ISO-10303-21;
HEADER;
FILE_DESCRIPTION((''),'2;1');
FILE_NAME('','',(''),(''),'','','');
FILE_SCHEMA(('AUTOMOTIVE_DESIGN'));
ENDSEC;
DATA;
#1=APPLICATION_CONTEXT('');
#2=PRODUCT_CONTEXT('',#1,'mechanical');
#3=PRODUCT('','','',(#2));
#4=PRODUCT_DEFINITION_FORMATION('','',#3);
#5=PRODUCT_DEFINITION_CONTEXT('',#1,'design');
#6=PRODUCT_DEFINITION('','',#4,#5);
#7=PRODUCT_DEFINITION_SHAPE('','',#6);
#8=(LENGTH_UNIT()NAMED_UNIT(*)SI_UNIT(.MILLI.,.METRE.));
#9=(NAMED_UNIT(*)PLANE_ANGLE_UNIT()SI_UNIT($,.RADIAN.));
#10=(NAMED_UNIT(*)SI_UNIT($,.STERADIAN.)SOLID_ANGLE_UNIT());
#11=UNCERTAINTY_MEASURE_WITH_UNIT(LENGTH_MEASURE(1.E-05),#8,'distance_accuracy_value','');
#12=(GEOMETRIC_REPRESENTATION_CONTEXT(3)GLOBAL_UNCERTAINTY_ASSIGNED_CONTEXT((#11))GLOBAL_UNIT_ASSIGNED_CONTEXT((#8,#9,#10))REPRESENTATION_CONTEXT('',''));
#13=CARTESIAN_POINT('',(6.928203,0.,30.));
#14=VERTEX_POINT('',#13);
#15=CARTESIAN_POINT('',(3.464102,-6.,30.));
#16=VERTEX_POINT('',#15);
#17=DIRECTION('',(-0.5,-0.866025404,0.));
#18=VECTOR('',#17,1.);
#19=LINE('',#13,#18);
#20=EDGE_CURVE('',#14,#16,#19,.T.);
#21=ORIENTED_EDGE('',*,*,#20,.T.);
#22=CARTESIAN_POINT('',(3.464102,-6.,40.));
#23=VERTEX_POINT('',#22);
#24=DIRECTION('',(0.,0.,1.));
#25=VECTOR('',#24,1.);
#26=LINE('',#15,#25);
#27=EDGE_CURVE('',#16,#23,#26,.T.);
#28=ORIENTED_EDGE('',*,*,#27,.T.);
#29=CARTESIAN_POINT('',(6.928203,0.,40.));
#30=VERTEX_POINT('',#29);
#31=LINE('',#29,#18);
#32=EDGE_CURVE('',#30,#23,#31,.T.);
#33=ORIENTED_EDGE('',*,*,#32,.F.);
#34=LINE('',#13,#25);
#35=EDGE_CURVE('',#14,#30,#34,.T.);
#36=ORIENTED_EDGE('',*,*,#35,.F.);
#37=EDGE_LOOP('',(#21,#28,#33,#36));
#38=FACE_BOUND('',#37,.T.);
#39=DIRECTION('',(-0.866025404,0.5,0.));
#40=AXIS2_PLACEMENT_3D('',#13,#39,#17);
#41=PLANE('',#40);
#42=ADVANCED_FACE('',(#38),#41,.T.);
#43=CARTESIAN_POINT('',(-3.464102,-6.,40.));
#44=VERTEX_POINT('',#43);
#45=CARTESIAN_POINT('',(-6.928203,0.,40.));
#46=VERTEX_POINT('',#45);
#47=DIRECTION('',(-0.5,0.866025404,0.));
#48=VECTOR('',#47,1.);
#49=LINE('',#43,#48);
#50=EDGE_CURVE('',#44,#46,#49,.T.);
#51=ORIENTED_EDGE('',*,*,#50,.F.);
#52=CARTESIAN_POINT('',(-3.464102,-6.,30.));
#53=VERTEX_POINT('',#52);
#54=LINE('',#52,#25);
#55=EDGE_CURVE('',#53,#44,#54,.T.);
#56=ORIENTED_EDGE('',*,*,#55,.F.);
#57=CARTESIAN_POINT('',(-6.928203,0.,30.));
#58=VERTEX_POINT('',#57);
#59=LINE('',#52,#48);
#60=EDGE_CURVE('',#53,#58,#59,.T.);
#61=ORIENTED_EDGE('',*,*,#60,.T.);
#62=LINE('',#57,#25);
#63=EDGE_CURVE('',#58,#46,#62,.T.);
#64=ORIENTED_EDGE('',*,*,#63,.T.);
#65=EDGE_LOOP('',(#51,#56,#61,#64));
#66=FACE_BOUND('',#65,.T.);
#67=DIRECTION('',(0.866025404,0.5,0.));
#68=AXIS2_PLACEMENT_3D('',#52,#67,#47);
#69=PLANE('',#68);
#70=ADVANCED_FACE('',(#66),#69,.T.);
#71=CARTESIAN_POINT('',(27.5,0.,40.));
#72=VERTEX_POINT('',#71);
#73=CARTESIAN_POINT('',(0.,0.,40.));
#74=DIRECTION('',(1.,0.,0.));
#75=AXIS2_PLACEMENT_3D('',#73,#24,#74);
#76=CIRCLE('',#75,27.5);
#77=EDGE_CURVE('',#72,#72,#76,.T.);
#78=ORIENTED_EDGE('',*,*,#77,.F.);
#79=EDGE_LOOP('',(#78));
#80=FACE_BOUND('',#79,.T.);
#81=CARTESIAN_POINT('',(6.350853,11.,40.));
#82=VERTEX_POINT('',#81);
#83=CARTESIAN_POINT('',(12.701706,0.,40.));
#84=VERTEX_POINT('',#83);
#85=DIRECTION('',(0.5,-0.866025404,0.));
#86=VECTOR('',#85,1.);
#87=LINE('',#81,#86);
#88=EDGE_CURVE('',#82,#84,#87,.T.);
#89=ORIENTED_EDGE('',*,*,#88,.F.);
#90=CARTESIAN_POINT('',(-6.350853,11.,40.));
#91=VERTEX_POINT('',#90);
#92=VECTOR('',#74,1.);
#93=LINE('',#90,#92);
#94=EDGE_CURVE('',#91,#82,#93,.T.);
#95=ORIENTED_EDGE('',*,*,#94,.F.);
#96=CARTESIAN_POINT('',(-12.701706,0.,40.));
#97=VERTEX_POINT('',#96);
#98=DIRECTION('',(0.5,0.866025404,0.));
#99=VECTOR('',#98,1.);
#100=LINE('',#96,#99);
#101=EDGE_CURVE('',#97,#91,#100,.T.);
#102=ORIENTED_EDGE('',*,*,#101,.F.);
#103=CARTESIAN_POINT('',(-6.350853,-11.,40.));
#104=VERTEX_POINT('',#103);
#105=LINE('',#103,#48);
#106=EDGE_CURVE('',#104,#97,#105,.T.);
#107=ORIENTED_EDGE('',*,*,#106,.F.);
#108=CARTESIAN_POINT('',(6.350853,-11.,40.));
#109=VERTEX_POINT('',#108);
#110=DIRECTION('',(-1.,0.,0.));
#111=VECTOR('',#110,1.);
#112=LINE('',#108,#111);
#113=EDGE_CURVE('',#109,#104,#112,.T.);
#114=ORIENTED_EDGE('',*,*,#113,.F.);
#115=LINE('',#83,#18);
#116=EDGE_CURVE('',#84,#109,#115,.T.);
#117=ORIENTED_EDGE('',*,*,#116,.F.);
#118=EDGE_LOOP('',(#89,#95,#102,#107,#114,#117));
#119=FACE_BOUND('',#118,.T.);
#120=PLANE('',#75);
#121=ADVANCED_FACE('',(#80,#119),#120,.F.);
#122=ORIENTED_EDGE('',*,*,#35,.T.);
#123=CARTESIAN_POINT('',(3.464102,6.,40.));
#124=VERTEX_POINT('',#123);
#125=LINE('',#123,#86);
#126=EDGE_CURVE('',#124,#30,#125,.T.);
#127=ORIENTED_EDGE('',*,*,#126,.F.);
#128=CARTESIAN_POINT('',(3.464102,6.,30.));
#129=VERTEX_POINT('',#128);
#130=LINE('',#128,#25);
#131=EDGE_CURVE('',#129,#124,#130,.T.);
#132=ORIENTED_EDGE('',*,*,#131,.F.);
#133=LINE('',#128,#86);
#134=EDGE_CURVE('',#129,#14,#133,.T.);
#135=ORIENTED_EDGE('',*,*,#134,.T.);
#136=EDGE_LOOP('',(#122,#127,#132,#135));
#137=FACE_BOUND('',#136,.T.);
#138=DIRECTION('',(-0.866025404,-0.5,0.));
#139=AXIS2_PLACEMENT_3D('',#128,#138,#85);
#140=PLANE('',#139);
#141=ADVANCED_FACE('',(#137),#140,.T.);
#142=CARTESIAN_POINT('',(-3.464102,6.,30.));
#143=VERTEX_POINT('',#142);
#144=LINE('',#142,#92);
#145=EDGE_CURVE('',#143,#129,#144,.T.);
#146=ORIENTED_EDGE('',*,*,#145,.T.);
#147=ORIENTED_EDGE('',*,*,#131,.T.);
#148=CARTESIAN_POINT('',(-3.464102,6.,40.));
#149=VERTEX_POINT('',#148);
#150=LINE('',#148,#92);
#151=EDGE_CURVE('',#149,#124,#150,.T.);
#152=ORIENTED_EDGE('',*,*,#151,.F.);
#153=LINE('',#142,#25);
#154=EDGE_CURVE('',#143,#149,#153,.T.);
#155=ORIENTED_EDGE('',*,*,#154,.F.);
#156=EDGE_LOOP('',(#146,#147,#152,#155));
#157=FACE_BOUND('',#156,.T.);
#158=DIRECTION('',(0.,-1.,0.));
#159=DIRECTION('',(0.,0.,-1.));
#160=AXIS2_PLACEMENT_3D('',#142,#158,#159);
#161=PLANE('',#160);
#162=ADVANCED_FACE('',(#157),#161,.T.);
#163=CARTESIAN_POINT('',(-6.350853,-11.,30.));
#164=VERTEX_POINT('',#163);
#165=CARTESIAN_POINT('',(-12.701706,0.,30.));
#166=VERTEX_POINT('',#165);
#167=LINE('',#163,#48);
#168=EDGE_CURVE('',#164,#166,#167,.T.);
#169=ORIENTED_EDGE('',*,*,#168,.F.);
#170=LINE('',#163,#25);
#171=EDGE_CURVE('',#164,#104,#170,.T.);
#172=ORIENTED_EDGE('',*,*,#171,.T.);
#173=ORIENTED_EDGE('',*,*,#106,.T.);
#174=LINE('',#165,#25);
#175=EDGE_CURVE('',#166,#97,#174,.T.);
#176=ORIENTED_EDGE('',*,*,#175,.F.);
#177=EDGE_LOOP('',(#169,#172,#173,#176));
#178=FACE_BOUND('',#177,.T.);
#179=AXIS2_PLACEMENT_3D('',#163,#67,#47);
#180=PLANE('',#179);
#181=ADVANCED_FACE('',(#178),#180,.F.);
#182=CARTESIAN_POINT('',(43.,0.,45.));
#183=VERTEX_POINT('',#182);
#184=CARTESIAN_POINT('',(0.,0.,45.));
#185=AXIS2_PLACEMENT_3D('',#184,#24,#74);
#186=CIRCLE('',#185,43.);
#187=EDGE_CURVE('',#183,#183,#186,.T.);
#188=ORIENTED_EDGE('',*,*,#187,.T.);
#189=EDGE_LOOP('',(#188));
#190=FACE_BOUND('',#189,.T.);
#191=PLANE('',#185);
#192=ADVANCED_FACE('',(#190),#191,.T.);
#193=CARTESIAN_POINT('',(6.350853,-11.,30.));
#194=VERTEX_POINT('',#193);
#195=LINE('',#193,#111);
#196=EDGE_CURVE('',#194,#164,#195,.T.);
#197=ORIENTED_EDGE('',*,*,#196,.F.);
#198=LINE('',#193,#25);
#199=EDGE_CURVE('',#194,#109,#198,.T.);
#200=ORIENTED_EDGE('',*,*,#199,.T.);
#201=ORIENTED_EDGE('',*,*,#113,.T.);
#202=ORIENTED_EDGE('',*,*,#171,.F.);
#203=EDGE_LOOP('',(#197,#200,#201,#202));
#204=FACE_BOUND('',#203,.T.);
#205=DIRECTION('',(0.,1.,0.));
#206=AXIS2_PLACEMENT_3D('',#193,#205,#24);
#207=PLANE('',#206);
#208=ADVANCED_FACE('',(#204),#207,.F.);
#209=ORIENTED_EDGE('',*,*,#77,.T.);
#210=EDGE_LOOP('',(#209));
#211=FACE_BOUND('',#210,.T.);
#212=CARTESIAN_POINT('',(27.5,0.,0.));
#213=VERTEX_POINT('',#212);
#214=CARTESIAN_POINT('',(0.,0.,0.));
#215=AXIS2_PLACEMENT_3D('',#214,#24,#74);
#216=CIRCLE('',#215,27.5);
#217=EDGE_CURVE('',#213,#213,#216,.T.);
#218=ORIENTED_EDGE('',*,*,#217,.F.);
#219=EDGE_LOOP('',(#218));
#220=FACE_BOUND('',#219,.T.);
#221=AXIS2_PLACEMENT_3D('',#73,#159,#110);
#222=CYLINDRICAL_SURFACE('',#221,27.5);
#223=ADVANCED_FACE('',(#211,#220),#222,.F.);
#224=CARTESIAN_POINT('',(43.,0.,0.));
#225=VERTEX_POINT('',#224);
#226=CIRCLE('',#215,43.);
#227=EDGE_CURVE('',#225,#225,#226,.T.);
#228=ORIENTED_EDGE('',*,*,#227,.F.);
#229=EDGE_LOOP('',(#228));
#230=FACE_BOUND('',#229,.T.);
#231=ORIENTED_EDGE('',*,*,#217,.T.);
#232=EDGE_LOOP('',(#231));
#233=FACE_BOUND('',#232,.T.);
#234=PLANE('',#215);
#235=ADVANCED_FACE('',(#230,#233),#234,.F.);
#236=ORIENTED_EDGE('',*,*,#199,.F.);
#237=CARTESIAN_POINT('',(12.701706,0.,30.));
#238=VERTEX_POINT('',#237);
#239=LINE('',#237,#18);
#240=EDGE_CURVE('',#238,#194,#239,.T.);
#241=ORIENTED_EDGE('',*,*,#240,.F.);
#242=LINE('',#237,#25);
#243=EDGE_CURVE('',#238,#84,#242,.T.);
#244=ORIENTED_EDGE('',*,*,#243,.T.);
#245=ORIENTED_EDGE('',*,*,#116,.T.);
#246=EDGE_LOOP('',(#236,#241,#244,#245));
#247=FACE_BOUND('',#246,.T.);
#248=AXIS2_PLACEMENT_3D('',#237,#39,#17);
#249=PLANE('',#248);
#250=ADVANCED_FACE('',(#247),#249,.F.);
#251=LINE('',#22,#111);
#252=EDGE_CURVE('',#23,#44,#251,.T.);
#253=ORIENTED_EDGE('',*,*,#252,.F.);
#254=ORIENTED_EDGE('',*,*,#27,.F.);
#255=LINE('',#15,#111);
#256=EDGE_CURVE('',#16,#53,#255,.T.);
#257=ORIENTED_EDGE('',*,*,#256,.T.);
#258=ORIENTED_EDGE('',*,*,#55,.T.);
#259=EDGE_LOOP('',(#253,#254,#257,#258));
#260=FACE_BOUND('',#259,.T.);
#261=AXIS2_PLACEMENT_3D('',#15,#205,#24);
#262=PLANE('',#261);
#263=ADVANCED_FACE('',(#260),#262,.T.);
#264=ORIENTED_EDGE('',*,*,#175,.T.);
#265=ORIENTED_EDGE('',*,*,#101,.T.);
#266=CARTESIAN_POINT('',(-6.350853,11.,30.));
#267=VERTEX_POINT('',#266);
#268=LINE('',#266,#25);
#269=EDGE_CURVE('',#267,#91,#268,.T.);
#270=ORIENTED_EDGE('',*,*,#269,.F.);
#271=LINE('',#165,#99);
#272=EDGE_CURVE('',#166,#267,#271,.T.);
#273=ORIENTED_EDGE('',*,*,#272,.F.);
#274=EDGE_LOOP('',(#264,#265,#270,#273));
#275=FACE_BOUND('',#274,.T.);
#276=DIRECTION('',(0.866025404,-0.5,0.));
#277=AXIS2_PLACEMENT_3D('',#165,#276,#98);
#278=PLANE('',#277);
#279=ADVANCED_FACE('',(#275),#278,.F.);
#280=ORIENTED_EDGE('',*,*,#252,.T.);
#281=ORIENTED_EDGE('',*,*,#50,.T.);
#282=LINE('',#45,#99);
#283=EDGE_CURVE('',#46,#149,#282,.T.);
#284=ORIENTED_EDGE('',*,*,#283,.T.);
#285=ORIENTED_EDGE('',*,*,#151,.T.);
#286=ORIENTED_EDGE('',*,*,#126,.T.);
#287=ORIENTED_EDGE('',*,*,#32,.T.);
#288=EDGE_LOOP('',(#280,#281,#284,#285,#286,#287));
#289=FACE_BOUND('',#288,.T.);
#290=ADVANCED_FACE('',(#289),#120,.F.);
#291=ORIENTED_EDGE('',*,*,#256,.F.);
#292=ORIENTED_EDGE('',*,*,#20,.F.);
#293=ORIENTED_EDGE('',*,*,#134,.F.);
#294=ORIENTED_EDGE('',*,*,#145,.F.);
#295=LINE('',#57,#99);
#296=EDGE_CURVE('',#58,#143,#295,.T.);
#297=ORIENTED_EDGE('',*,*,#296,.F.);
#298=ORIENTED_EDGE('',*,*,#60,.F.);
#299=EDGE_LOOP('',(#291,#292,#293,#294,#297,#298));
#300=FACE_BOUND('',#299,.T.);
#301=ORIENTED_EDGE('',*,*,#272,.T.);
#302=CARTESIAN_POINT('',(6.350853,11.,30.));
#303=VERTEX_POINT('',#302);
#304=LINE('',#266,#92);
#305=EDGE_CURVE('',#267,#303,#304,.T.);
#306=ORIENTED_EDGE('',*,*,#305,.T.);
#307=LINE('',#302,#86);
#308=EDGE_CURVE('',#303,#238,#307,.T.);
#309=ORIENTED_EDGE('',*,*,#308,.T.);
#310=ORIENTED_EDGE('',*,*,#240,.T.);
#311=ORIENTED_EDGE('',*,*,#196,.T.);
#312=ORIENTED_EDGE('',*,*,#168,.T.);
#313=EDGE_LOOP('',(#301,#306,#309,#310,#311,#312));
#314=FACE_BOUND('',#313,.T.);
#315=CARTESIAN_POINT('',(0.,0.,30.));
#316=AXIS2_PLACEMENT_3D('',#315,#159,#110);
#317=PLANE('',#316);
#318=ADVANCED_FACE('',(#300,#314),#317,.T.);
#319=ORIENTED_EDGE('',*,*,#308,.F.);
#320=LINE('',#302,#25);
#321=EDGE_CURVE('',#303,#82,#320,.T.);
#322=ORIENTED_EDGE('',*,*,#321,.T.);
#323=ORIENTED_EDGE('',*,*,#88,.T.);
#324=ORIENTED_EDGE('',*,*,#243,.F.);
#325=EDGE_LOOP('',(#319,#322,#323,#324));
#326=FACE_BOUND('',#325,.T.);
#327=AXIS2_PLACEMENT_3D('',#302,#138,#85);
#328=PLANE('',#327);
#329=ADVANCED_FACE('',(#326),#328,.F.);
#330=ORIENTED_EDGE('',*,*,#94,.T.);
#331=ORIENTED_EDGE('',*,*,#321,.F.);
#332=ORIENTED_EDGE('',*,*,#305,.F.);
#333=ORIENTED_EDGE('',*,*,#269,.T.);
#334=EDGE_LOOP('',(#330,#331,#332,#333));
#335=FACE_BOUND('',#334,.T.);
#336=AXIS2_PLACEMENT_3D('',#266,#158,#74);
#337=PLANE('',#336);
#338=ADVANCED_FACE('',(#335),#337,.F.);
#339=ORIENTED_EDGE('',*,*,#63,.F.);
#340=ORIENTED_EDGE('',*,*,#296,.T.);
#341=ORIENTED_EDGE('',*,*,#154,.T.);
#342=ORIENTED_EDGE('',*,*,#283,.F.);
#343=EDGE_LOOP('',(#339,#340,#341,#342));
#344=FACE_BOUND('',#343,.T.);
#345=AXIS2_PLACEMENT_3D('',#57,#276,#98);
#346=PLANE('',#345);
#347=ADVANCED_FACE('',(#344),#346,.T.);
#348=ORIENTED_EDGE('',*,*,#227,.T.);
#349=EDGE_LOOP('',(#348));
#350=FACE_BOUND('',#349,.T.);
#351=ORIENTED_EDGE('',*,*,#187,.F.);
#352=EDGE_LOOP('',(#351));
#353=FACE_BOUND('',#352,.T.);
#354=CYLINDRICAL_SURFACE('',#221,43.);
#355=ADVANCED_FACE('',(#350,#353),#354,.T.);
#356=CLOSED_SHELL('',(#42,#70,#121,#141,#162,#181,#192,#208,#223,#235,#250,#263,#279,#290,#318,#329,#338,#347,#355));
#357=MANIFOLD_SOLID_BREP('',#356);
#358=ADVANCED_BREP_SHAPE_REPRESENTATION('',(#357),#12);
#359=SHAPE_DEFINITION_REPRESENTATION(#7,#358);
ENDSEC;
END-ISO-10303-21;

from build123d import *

# Parameters (mm, degrees)
SKETCH1_R           = 43
SKETCH1_R_2         = 27.5
BOSS_EXTRUDE1_DEPTH = 40
SKETCH2_R           = 43
BOSS_EXTRUDE2_DEPTH = 5
BOSS_EXTRUDE3_DEPTH = 10


with BuildPart() as part:
    # Sketch1 → Boss-Extrude1 (new body)
    with BuildSketch(Plane.XY):
        Circle(SKETCH1_R)
        Circle(SKETCH1_R_2, mode=Mode.SUBTRACT)
    extrude(amount=BOSS_EXTRUDE1_DEPTH)

    # Sketch2 → Boss-Extrude2 (add)
    with BuildSketch(Plane.XY.offset(40)):
        Circle(SKETCH2_R)
    extrude(amount=BOSS_EXTRUDE2_DEPTH)

    # Sketch3 → Boss-Extrude3 (add)
    with BuildSketch(Plane(origin=(0, 0, 40), x_dir=(-1, 0, 0), z_dir=(0, 0, -1))):
        Polygon((6.350852961, 11), (-6.350852961, 11), (-12.701705922, 0), (-6.350852961, -11), (6.350852961, -11), (12.701705922, 0), align=None)
        Polygon((3.464101615, 6), (-3.464101615, 6), (-6.92820323, 0), (-3.464101615, -6), (3.464101615, -6), (6.92820323, 0), align=None, mode=Mode.SUBTRACT)
    extrude(amount=BOSS_EXTRUDE3_DEPTH)


solid = part.part
